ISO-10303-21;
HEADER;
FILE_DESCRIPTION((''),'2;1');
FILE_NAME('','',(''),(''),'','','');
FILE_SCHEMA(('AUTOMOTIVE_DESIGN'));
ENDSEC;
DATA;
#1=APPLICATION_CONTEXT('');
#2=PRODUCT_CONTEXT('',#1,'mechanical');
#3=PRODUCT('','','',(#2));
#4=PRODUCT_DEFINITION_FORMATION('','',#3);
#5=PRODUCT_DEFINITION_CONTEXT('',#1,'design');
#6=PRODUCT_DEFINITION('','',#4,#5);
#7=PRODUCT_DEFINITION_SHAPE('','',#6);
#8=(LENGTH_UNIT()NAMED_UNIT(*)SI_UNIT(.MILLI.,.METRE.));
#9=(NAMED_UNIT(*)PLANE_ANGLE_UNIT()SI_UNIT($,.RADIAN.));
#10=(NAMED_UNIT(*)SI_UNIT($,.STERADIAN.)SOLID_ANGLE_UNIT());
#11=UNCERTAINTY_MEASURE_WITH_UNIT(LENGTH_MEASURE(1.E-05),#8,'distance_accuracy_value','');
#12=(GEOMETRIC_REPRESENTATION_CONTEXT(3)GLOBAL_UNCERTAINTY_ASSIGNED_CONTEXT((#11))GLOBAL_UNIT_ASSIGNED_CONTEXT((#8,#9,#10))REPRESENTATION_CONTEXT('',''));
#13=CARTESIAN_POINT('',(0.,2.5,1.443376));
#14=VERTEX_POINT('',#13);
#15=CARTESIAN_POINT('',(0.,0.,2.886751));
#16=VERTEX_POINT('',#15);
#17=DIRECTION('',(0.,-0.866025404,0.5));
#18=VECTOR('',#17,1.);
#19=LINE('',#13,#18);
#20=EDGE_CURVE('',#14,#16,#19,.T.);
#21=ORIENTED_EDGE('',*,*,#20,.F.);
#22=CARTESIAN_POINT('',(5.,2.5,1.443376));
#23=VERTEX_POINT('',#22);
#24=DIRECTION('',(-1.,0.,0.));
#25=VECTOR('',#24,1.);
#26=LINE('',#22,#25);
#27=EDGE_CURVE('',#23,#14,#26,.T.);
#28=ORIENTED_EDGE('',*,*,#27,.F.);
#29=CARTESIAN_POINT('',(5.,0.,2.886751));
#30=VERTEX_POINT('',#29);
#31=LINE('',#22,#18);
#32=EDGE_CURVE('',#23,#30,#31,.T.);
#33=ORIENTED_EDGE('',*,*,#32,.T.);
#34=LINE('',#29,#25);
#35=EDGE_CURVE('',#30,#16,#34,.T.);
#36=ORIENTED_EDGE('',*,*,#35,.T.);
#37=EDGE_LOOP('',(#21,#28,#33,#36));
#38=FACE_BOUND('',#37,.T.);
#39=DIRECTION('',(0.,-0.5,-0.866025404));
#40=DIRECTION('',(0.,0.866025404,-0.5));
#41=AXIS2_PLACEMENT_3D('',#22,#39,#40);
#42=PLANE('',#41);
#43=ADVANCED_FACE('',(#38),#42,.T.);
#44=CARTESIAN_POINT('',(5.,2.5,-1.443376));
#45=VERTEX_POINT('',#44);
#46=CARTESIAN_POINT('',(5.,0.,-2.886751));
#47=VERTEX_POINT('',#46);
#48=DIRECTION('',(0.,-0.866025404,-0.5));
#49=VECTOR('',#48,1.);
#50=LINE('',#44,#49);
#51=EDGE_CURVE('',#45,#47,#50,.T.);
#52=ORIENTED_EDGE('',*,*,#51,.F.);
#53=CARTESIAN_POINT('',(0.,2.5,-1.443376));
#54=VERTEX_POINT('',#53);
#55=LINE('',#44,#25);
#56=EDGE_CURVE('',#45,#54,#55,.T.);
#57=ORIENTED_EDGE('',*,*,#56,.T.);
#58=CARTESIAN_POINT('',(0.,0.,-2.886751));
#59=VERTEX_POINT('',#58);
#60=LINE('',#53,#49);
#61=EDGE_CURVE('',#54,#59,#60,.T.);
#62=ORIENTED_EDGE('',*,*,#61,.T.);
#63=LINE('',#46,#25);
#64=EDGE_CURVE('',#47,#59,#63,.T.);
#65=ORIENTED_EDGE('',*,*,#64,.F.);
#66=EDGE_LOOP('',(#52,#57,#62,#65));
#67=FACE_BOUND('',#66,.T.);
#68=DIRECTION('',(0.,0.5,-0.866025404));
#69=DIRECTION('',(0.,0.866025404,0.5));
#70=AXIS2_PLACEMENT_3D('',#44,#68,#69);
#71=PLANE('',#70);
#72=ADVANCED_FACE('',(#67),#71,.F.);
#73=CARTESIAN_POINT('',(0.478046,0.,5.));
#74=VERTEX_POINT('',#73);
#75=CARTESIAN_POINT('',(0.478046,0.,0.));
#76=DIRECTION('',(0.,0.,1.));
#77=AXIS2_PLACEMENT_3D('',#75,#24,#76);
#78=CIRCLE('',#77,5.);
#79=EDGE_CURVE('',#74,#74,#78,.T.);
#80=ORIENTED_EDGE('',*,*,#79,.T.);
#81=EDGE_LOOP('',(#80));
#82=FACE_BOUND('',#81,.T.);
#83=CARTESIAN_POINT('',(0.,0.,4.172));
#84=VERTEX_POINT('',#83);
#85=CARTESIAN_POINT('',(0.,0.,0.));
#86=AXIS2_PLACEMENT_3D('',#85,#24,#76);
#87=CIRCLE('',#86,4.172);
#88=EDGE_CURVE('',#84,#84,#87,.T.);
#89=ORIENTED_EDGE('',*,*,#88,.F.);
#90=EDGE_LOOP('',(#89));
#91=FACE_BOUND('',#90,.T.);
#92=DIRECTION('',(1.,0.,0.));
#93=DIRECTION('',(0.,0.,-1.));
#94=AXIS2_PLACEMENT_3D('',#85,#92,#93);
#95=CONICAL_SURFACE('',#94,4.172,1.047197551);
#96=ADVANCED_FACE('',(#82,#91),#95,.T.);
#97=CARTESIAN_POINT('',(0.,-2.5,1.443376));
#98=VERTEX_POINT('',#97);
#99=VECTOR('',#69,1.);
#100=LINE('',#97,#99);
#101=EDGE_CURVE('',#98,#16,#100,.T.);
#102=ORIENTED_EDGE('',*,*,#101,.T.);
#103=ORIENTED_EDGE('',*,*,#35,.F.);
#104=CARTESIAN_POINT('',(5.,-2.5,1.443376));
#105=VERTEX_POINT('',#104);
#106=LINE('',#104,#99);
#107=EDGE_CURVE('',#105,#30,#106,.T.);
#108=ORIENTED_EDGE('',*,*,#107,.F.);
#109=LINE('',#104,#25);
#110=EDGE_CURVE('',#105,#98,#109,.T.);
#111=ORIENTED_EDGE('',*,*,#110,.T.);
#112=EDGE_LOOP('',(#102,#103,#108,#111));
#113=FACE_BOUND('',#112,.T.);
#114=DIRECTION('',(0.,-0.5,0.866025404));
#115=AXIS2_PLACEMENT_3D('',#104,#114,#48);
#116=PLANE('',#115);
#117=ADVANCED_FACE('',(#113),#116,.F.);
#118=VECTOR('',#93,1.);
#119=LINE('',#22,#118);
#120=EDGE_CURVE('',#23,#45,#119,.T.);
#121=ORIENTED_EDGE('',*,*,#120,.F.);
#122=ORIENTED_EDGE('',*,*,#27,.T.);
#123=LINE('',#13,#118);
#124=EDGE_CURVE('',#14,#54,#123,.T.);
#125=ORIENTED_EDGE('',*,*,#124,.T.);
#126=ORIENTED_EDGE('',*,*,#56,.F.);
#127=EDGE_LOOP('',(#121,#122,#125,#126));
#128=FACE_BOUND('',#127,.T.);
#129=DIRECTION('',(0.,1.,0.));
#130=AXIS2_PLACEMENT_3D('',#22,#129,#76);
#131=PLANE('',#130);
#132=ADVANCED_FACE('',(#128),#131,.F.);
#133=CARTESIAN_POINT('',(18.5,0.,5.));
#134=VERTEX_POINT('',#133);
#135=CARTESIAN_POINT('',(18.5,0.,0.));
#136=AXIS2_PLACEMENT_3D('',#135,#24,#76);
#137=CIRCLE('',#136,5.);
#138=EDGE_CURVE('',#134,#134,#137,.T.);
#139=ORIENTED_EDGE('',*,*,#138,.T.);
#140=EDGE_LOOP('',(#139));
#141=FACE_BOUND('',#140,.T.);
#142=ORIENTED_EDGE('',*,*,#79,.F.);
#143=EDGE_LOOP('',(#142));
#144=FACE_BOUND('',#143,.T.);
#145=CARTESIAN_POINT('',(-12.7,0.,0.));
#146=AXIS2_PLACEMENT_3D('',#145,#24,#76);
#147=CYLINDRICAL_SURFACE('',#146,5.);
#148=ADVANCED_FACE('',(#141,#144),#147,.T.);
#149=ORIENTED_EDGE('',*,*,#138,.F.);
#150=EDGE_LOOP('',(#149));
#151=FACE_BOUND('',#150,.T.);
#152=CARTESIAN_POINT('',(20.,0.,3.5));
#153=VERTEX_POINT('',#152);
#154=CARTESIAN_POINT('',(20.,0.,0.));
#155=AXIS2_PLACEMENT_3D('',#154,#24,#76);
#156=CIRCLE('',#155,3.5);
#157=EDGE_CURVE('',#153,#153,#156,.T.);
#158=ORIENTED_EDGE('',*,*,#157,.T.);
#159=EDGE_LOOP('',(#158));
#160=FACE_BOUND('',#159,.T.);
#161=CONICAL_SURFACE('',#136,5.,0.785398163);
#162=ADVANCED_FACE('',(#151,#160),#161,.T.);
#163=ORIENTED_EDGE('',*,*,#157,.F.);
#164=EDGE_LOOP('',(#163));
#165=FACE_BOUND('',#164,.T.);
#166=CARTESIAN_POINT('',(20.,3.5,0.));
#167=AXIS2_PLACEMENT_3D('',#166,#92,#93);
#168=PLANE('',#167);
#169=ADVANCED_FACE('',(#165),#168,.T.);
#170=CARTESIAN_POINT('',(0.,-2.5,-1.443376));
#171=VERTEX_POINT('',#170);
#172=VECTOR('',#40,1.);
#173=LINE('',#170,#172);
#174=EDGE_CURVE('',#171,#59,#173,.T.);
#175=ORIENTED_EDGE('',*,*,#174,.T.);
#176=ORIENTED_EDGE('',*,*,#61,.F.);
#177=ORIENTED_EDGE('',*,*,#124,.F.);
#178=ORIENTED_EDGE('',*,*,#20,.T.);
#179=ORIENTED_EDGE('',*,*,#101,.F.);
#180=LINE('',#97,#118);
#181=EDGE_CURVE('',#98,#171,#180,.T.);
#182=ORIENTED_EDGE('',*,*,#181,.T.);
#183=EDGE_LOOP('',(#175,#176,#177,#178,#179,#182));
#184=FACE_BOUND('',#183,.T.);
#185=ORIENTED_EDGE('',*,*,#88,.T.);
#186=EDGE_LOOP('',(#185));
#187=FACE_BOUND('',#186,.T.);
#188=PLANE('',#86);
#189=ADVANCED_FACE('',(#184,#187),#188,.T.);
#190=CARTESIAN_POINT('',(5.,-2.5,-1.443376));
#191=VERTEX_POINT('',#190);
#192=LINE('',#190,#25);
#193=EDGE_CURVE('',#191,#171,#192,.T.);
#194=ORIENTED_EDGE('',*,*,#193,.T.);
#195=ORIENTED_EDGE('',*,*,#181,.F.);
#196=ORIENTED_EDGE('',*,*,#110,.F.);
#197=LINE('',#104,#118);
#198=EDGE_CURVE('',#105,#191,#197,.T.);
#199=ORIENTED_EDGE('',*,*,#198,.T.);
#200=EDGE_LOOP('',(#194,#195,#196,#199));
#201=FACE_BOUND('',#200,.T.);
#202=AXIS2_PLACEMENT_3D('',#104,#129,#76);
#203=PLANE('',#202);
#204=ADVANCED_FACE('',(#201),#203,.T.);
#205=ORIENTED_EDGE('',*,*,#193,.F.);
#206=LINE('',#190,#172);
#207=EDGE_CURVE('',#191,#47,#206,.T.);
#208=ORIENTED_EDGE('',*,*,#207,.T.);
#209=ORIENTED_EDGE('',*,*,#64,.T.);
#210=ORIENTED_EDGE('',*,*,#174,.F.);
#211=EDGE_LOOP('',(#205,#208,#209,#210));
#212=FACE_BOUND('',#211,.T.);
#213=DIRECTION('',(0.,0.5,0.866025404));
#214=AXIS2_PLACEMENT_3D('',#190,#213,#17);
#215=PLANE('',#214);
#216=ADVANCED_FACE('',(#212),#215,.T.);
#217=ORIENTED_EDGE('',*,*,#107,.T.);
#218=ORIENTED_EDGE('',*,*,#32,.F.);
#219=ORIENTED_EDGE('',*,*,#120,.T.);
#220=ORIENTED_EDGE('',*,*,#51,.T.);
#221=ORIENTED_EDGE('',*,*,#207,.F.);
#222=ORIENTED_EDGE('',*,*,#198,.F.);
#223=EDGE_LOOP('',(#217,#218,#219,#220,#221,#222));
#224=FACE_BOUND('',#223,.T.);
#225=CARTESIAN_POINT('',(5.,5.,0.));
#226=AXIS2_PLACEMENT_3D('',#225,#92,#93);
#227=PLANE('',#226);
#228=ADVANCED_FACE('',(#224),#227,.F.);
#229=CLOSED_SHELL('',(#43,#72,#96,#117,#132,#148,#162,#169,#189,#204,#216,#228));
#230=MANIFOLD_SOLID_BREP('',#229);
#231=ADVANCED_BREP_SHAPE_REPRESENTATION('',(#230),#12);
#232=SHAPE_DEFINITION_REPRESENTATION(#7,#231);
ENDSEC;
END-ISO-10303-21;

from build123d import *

# Parameters (mm, degrees)
HEX_2_DEPTH = 5


with BuildPart() as part:
    # BodySke → BaseBody (revolve)
    with BuildSketch(Plane.XY, mode=Mode.PRIVATE) as basebody_sk:
        Polygon((0, 0), (0, 4.172), (0.478046023, 5), (18.5, 5), (20, 3.5), (20, 0), align=None)
    revolve(basebody_sk.sketch.rotate(Axis((-12.7, 0, 0), (1, 0, 0)), 90), axis=Axis((-12.7, 0, 0), (1, 0, 0)))

    # Sketch2 → Hex 2 (cut)
    with BuildSketch(Plane.ZY):
        Polygon((1.443375673, 2.5), (-1.443375673, 2.5), (-2.886751346, 0), (-1.443375673, -2.5), (1.443375673, -2.5), (2.886751346, 0), align=None)
    extrude(amount=-HEX_2_DEPTH, mode=Mode.SUBTRACT)


solid = part.part
